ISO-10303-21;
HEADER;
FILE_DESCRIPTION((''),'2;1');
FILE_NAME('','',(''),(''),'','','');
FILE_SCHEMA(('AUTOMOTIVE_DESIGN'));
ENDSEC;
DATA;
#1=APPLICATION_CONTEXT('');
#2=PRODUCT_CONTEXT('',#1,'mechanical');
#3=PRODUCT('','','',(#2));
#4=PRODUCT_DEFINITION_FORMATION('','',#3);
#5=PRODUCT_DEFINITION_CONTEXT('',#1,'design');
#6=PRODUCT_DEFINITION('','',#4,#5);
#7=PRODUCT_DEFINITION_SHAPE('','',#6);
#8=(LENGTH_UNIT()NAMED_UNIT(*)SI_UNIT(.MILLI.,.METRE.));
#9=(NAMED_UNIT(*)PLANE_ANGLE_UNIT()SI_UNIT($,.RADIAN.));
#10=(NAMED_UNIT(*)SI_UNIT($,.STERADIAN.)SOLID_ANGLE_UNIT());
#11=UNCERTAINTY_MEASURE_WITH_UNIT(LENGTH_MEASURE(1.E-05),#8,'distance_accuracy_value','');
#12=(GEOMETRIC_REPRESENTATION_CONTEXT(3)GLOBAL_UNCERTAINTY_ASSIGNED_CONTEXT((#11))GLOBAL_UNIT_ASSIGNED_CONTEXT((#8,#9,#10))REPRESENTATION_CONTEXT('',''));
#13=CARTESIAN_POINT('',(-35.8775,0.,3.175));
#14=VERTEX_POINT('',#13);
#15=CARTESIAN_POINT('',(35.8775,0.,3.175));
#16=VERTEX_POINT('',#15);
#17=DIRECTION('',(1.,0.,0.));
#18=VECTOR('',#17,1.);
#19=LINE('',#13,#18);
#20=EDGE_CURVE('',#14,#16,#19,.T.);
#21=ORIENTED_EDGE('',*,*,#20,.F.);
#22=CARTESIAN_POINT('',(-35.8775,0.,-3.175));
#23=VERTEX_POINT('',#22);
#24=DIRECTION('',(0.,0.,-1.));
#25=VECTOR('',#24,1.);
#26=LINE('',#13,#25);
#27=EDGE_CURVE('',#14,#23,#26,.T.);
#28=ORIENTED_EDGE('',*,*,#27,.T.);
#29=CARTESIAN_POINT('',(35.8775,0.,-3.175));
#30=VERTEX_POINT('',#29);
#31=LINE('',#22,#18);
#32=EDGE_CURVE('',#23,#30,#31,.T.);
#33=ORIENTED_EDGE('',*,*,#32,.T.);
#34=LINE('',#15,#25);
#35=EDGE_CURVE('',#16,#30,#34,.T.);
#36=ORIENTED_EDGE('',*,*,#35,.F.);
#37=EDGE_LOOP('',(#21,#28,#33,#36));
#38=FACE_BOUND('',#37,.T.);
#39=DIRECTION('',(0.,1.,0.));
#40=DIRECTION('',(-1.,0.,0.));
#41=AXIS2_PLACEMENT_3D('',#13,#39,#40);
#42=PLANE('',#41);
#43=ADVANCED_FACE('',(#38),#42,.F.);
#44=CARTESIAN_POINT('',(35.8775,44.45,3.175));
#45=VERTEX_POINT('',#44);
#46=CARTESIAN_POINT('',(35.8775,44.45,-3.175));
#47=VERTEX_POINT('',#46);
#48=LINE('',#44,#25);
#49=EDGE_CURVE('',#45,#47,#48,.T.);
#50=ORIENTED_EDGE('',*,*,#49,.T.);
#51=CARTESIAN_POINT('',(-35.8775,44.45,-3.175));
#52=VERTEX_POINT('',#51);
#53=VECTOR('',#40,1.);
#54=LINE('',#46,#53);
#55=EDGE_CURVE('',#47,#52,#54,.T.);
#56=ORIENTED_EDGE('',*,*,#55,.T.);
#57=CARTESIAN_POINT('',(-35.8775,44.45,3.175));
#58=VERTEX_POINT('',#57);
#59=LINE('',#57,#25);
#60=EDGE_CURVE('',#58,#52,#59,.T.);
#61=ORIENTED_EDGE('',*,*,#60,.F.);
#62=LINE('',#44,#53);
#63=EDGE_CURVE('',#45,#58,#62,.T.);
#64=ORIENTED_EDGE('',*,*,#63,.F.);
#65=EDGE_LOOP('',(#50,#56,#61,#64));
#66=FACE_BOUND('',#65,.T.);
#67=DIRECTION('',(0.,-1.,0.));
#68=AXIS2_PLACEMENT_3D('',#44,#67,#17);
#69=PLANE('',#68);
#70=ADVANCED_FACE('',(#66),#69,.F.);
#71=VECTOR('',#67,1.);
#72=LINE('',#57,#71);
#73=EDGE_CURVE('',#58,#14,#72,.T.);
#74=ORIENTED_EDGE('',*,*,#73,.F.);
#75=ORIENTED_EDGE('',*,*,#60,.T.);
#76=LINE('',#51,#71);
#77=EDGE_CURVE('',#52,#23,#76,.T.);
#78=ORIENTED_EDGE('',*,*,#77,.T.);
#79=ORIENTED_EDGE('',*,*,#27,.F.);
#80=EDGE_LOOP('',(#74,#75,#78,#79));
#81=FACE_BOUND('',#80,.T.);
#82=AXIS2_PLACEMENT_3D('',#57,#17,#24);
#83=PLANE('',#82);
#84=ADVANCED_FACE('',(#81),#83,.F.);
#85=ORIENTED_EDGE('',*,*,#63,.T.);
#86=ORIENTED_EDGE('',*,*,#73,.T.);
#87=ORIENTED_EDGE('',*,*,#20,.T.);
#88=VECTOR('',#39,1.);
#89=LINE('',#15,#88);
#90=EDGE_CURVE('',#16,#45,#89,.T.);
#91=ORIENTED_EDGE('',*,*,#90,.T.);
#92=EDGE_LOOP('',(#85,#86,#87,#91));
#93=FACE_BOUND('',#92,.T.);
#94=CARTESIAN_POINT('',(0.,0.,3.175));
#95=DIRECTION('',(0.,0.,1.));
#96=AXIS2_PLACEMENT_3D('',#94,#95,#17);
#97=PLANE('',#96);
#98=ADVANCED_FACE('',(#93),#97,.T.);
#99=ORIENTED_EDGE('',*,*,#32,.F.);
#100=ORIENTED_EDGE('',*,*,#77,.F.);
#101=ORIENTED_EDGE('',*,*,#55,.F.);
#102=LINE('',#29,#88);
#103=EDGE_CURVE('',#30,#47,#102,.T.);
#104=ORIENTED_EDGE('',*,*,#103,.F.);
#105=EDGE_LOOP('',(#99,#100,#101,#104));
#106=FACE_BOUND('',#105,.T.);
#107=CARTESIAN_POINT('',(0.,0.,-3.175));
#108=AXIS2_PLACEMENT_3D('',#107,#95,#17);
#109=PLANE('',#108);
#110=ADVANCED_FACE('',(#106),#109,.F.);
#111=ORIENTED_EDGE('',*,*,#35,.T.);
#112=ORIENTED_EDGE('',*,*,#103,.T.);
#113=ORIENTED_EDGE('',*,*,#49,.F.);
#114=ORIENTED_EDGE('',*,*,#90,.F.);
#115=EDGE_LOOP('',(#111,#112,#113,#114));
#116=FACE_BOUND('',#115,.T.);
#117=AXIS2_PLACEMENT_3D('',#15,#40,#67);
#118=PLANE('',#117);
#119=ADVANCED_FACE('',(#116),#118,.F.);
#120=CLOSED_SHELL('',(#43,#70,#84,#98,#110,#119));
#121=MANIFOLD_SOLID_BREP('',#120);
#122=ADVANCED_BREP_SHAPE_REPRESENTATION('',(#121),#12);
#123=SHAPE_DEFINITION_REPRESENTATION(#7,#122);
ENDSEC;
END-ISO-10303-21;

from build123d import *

# Parameters (mm, degrees)
SKETCH1_W           = 71.755
SKETCH1_H           = 44.45
BOSS_EXTRUDE1_DEPTH = 3.175


with BuildPart() as part:
    # Sketch1 → Boss-Extrude1 (new, symmetric)
    with BuildSketch(Plane.XY):
        with Locations((0, 22.225)):
            Rectangle(SKETCH1_W, SKETCH1_H)
    extrude(amount=BOSS_EXTRUDE1_DEPTH, both=True)


solid = part.part
